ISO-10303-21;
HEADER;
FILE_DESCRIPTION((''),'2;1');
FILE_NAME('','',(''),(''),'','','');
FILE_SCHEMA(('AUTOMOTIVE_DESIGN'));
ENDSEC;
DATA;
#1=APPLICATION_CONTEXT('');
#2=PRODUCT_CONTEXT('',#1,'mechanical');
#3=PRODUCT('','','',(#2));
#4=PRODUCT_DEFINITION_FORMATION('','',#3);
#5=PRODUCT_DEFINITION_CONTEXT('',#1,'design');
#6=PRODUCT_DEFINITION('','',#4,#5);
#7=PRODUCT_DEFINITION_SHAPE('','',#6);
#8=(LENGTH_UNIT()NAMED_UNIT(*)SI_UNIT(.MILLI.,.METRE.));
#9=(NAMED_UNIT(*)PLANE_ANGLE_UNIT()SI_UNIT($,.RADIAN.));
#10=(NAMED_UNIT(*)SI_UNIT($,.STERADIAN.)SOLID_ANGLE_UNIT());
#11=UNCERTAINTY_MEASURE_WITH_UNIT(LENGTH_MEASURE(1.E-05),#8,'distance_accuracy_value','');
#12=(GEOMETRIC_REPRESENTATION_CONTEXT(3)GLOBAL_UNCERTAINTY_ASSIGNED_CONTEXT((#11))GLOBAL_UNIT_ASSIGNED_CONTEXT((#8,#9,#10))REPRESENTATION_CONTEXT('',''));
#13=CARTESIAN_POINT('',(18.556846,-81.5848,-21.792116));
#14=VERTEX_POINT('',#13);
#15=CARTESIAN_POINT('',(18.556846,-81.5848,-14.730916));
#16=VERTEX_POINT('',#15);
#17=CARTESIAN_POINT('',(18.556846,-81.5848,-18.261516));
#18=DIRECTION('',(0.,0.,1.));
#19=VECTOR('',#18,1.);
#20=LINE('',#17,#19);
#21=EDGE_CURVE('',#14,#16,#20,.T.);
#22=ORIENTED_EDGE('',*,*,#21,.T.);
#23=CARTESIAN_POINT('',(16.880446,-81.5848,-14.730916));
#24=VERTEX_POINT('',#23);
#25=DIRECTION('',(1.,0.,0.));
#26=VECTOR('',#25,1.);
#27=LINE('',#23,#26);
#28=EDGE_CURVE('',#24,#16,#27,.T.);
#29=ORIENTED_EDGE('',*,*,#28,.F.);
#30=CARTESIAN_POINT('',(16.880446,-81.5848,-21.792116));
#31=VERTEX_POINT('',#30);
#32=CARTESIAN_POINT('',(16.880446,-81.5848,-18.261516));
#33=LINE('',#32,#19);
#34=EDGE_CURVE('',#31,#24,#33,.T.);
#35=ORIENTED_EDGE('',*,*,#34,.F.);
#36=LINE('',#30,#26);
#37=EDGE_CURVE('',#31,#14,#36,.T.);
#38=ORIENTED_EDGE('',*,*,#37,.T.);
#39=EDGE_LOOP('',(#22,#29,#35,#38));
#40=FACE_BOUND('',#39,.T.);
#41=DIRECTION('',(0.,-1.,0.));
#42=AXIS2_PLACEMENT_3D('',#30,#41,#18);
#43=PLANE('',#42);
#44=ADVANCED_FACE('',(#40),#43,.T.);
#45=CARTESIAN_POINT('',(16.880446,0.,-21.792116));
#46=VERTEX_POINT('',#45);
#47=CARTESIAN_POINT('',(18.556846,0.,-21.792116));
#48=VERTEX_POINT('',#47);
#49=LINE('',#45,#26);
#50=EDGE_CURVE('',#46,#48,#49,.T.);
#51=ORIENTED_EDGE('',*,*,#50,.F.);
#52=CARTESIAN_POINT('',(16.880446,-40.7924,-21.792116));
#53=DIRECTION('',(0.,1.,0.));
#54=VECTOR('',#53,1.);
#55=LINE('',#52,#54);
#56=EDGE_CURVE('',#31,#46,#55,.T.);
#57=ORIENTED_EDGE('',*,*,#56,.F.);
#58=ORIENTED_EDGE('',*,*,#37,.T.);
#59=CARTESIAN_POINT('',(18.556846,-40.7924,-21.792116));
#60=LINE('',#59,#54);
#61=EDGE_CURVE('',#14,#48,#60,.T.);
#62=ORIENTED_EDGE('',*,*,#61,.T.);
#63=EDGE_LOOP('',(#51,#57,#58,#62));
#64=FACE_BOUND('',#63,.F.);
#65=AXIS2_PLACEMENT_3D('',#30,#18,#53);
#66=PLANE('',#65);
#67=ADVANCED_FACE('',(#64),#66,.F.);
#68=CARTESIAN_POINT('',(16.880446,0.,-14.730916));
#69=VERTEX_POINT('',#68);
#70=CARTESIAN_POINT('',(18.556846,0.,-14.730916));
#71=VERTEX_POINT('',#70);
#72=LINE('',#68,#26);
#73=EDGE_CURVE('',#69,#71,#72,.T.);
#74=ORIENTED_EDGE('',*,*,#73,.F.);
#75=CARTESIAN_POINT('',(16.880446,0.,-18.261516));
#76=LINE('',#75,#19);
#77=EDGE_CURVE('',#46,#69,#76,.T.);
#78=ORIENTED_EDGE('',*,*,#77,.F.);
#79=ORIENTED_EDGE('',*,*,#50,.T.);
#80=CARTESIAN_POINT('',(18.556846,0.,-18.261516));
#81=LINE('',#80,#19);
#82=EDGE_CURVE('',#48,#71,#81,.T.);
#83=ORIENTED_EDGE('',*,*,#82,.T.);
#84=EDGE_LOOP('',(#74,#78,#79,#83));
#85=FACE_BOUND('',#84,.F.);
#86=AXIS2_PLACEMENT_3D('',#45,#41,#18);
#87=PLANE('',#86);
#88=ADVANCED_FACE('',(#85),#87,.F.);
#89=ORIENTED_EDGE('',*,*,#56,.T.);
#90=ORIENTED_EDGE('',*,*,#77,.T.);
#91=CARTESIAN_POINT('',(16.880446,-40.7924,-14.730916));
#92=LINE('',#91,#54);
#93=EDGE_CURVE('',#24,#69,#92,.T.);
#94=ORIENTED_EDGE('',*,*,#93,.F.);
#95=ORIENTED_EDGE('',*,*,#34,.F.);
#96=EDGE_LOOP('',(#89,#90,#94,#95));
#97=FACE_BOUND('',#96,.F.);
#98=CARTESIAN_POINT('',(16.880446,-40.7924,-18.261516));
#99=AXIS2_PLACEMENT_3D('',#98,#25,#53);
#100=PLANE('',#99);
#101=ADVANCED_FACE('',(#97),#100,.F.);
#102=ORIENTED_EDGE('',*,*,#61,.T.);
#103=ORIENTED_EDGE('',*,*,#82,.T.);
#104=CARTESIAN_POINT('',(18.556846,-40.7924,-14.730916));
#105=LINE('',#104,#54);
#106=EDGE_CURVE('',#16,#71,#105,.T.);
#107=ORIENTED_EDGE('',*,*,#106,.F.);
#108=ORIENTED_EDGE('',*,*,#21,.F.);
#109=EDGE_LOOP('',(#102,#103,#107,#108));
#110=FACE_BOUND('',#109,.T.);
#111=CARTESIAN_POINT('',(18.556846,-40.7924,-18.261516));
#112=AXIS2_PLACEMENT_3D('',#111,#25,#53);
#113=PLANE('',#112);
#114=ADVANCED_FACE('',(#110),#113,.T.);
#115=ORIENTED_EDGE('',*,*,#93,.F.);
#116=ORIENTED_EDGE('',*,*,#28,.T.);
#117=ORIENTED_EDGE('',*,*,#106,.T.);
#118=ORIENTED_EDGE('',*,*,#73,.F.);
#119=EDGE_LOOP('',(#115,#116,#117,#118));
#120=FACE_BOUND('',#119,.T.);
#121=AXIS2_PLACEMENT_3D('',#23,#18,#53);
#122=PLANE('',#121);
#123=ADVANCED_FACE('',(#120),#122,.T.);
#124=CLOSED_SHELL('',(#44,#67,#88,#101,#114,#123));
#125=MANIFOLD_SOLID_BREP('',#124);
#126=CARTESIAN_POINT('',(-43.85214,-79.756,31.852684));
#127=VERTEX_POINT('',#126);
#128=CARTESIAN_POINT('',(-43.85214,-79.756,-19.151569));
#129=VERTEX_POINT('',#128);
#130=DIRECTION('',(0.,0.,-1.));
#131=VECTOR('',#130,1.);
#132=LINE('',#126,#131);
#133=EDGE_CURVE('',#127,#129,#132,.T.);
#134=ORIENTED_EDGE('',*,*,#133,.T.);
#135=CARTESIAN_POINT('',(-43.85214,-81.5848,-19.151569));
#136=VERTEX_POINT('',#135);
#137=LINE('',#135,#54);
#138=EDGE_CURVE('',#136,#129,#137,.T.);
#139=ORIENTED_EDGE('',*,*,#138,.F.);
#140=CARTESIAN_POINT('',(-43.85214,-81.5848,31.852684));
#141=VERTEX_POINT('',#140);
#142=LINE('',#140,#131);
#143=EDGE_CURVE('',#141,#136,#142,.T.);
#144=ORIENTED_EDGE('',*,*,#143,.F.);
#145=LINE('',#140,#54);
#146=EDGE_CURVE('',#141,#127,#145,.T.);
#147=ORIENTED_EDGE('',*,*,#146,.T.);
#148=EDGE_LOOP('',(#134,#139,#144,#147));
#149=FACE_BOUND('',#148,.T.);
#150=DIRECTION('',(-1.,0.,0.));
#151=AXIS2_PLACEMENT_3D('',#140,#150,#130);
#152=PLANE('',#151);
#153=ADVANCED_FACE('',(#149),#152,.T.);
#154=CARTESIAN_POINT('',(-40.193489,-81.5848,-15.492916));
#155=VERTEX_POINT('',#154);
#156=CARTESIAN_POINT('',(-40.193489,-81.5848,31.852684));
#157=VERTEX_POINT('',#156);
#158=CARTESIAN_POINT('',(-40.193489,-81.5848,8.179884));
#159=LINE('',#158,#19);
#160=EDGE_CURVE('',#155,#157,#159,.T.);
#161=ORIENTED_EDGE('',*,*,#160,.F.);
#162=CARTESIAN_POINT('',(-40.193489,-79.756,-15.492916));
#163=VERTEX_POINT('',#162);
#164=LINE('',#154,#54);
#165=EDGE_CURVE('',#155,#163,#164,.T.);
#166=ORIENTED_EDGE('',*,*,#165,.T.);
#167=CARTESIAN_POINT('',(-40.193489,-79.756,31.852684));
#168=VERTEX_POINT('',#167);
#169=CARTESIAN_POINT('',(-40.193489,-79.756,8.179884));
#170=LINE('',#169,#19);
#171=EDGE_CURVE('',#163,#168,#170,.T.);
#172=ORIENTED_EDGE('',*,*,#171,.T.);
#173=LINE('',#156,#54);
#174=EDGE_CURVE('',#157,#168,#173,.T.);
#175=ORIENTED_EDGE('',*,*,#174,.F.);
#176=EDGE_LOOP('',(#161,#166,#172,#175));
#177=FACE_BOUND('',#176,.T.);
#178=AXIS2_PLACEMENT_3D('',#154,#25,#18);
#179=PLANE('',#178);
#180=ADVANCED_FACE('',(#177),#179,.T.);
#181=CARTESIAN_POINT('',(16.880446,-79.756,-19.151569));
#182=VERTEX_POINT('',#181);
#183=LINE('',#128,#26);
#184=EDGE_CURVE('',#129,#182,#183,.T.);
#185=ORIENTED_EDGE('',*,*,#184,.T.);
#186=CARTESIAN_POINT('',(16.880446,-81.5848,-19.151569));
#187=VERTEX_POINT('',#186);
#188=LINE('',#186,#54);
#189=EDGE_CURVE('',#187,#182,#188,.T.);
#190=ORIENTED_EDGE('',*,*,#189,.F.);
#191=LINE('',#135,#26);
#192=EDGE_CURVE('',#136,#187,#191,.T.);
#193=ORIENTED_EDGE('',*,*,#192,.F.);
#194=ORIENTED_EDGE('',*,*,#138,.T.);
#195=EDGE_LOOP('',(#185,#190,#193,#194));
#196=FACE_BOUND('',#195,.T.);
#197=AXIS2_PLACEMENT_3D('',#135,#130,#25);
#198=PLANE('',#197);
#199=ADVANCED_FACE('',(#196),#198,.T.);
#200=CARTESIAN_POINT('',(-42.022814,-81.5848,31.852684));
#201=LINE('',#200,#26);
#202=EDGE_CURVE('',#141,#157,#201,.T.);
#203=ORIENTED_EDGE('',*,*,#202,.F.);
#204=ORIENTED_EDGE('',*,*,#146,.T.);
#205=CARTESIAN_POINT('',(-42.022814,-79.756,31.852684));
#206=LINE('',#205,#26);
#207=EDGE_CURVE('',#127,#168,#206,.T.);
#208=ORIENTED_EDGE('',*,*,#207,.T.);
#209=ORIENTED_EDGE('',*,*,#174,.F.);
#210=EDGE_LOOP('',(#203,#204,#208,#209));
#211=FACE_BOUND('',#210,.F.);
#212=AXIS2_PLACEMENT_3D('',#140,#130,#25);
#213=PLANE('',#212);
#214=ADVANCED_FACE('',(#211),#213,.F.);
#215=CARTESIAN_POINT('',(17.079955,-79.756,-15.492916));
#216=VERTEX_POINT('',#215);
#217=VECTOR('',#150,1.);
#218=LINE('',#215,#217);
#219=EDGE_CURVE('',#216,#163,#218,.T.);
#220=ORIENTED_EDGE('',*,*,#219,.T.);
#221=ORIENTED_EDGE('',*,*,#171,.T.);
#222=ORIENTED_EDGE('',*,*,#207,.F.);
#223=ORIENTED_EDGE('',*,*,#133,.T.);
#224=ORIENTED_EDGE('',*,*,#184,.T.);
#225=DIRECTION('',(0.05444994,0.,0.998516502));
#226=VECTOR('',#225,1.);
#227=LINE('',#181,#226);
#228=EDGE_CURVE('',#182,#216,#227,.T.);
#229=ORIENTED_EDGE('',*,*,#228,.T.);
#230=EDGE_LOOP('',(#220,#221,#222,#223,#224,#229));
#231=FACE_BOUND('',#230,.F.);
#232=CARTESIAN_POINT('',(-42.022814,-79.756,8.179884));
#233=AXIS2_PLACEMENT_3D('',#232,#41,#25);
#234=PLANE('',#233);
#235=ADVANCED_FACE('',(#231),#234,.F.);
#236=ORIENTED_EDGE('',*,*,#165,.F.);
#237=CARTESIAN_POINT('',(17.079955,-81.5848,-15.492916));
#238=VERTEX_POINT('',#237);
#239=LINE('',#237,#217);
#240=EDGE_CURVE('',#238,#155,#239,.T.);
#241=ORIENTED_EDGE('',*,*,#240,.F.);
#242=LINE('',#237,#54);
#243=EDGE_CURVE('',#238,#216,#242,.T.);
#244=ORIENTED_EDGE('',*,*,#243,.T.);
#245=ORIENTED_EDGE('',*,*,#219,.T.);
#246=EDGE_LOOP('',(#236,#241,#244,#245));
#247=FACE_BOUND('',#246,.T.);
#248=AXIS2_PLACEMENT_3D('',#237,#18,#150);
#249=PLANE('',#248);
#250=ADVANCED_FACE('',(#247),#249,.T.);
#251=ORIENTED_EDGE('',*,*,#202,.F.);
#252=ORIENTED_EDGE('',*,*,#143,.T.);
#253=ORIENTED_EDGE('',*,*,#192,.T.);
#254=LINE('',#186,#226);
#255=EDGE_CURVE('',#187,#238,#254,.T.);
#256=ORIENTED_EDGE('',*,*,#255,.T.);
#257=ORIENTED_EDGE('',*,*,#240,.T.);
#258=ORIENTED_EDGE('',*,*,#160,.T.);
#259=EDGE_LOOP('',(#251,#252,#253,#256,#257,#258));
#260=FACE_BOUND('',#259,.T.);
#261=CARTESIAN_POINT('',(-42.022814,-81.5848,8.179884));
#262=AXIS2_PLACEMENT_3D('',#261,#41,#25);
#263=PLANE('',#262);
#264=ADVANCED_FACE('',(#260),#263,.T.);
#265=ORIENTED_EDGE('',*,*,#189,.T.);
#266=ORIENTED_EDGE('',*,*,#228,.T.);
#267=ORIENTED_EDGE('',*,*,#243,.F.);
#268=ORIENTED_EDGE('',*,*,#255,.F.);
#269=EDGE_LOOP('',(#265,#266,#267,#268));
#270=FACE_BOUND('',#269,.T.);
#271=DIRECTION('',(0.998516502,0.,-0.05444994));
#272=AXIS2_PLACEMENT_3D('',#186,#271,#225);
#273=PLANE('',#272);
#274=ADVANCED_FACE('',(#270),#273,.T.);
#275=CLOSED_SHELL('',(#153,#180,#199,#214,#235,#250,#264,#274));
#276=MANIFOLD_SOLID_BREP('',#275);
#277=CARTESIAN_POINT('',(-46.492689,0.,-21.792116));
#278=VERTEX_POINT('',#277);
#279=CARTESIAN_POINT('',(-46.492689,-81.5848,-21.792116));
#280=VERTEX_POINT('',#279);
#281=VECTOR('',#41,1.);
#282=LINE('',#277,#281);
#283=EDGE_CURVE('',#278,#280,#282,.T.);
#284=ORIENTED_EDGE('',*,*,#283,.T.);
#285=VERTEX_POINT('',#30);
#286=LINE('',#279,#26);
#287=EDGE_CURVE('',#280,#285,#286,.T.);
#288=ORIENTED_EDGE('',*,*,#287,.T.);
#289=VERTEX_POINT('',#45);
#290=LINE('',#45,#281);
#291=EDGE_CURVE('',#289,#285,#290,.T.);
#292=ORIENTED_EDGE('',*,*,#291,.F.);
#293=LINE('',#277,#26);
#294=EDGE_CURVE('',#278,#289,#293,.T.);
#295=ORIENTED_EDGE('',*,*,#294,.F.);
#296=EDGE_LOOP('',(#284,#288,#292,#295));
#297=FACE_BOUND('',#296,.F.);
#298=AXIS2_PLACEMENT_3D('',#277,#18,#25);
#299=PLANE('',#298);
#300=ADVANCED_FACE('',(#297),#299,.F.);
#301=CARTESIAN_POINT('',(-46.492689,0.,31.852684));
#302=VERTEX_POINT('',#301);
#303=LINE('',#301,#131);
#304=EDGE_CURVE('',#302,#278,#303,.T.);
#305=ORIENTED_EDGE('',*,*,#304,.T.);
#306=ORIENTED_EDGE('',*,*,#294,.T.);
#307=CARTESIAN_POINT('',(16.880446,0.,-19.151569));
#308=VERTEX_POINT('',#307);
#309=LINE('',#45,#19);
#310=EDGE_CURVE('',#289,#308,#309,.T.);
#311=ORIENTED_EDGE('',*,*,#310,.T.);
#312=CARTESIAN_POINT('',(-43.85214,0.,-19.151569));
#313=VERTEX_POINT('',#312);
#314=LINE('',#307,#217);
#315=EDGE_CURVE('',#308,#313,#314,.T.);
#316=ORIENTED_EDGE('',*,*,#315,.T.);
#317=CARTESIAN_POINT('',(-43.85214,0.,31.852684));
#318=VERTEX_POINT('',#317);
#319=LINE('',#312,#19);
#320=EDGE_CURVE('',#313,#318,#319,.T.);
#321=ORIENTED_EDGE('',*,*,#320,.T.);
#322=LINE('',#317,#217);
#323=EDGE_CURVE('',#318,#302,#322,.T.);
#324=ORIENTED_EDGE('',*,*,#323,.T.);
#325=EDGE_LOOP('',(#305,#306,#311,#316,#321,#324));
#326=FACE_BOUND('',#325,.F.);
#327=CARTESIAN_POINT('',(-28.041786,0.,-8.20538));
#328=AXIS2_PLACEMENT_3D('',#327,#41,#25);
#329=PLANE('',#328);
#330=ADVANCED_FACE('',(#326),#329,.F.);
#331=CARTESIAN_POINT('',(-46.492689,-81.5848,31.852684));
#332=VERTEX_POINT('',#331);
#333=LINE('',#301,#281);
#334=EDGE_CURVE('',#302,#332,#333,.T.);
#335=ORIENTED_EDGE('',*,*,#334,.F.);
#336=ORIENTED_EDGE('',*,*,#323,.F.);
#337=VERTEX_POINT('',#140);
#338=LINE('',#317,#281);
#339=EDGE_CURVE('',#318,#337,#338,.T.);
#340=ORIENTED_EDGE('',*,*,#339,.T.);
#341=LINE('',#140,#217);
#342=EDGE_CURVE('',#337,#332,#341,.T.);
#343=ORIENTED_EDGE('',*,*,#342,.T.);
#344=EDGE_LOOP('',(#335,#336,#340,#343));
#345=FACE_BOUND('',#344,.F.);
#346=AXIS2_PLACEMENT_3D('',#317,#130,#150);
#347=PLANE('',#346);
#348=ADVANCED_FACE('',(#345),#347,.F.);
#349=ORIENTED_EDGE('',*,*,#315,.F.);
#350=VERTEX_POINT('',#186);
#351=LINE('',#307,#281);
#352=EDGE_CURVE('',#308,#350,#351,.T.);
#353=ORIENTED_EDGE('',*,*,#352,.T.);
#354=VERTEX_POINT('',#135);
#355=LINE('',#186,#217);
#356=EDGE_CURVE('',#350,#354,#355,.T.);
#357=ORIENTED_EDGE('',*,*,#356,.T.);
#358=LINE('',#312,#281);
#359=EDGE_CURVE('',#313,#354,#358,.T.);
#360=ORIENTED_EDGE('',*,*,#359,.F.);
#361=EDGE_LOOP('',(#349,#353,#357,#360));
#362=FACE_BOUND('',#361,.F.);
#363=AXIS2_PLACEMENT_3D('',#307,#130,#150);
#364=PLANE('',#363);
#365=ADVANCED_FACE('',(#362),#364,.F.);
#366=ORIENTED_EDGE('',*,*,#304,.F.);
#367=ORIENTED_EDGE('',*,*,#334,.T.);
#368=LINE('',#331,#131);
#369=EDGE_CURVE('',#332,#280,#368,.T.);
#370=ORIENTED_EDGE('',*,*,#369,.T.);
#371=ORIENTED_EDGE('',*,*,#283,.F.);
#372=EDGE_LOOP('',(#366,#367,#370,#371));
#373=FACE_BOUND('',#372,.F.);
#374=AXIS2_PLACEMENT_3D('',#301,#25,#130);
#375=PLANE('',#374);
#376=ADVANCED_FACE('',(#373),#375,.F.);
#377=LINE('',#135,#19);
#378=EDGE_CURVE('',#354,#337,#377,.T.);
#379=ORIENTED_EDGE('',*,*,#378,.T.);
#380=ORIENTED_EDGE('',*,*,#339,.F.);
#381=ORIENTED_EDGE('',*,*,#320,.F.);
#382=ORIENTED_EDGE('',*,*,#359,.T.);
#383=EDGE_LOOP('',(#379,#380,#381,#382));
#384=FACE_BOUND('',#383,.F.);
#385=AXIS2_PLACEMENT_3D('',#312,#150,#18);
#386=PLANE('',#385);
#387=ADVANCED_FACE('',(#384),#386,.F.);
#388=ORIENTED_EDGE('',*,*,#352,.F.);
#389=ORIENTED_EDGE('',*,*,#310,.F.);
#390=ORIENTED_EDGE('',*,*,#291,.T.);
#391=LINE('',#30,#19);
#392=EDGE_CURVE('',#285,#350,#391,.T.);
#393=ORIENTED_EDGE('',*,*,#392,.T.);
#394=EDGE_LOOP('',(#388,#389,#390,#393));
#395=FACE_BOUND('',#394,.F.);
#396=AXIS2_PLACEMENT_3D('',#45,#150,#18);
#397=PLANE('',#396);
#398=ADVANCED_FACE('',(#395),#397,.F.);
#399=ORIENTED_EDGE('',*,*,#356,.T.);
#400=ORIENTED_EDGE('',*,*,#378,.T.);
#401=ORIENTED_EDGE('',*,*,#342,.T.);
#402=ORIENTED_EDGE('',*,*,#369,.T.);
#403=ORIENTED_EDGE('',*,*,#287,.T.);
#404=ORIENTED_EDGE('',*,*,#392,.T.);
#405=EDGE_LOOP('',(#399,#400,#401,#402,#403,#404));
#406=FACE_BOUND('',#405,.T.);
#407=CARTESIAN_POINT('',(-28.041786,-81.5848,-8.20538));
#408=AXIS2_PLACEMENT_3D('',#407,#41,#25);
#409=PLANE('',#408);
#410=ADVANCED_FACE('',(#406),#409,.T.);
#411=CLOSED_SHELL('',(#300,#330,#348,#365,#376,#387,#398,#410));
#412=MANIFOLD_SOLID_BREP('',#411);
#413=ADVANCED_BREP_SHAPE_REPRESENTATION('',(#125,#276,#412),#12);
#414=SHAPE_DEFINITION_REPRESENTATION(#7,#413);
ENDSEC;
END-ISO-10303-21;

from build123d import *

# Parameters (mm, degrees)
F1_DEPTH = 81.5848
F2_W     = 3.658651373
F2_H     = 47.3456
F2_H_2   = 3.6586527367
F3_DEPTH = 1.8288
F5_W     = 81.5848
F5_H     = 7.0612
F6_DEPTH = 1.6764


with BuildPart() as f1:
    # F0 (on Front) → F1 (new body)
    with BuildSketch(Plane.XZ):
        Polygon((-43.8521401205, 31.8526837044), (-46.4926887475, 31.8526837044), (-46.4926887475, -21.7921162956), (16.880445572, -21.7921162956), (16.880445572, -19.1515690323), (-43.8521401205, -19.1515690323), align=None)
    extrude(amount=F1_DEPTH)


with BuildPart() as f3:
    # F2 (on face) → F3 (new body)
    with BuildSketch(Plane.XZ.offset(81.5848)):
        with Locations((-42.022814434, 8.1798837044)):
            Rectangle(F2_W, F2_H)
        Polygon((17.0799549669, -15.4929162956), (-40.1934887475, -15.4929162956), (-40.1934887475, -19.1515690323), (16.880445572, -19.1515690323), align=None)
        with Locations((-42.022814434, -17.3222426639)):
            Rectangle(F2_W, F2_H_2)
    extrude(amount=-F3_DEPTH)


with BuildPart() as f6:
    # F5 (on face) → F6 (new body)
    with BuildSketch(Plane.YZ.offset(16.880445572)):
        with Locations((-40.7924, -18.2615162956)):
            Rectangle(F5_W, F5_H)
    extrude(amount=F6_DEPTH)


solid = Compound([f1.part, f3.part, f6.part])
